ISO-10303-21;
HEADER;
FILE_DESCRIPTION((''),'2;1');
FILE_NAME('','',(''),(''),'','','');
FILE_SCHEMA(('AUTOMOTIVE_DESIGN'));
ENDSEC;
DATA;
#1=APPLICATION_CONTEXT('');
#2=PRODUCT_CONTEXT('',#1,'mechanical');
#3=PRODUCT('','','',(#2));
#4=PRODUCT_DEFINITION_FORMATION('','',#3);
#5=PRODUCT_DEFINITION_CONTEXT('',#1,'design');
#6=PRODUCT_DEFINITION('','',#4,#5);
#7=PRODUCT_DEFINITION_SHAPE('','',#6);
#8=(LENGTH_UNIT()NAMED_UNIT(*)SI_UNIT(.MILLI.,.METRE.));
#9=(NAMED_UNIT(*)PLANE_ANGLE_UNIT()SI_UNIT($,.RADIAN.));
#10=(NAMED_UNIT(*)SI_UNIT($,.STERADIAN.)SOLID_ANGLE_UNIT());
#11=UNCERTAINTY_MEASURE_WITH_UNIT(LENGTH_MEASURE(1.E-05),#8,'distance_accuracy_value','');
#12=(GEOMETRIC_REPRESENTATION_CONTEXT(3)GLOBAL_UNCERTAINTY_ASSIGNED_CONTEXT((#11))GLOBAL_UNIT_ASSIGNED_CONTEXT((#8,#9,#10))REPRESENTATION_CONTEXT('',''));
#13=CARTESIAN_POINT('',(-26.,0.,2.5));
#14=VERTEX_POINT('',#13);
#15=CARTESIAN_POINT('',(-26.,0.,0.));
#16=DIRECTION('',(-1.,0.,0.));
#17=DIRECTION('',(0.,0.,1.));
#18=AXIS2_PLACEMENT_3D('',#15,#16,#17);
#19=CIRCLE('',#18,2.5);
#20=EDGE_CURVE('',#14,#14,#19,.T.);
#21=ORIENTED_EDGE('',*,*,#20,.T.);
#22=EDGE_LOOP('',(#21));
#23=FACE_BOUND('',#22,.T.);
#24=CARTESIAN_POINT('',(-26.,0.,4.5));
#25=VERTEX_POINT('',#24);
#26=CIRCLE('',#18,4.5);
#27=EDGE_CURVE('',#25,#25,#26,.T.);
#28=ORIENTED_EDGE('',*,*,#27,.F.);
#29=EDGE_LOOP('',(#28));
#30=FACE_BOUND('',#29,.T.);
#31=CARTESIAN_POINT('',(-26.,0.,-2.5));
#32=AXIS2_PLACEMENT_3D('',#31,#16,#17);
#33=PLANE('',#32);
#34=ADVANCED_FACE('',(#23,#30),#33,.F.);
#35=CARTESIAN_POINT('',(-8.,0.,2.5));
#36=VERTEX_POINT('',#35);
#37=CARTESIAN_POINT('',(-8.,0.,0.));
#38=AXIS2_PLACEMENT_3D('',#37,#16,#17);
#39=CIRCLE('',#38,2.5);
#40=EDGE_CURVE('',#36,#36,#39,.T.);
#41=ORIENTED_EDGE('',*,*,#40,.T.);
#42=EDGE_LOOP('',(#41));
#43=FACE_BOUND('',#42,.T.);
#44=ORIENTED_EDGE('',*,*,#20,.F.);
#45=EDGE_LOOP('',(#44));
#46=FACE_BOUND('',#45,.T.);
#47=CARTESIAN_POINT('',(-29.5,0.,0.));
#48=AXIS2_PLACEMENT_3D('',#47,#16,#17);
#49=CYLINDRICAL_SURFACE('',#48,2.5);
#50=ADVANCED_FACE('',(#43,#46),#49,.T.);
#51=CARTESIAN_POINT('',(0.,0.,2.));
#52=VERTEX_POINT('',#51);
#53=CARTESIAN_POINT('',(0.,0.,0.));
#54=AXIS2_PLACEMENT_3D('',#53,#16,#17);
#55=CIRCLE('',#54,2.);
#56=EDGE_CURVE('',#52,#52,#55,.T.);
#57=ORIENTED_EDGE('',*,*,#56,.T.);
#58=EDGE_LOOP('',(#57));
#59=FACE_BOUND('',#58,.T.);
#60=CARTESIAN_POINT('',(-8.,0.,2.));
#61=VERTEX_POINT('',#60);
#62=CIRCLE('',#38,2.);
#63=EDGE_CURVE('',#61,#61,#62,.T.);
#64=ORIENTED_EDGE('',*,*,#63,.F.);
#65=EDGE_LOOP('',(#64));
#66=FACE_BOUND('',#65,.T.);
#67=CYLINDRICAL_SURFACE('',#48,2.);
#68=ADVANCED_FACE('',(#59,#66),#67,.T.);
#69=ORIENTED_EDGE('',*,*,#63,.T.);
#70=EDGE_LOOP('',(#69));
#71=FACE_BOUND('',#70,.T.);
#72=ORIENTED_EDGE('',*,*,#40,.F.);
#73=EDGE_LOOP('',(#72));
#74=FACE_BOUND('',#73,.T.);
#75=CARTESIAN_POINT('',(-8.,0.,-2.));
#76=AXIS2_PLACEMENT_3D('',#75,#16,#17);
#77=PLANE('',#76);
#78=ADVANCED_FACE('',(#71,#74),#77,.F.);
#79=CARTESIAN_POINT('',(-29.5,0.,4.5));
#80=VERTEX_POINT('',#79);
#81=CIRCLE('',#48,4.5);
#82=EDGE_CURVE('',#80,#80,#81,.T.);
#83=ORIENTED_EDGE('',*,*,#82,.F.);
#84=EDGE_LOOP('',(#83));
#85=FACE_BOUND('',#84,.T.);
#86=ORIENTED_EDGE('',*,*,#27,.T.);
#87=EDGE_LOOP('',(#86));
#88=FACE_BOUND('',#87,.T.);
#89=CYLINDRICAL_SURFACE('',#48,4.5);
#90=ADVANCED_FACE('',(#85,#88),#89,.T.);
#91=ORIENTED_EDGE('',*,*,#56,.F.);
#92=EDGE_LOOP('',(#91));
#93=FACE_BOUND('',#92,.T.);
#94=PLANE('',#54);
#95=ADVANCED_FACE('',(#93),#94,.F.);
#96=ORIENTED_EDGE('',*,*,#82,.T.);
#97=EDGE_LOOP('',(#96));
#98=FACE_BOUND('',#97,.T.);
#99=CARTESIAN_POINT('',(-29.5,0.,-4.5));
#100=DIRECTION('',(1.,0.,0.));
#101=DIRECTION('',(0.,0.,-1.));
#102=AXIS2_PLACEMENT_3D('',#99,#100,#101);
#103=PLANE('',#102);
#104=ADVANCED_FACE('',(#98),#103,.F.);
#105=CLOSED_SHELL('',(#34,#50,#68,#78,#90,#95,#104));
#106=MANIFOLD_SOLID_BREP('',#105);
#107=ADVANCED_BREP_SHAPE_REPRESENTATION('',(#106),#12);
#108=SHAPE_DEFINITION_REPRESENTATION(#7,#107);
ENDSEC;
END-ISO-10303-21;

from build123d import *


with BuildPart() as part:
    # Sketch1 → Revolve1 (revolve)
    with BuildSketch(Plane(origin=(0, 0, 0), x_dir=(1, 0, 0), z_dir=(0, 1, 0)), mode=Mode.PRIVATE) as revolve1_sk:
        Polygon((0, 0), (0, 2), (-8, 2), (-8, 2.5), (-26, 2.5), (-26, 4.5), (-29.5, 4.5), (-29.5, 0), align=None)
    revolve(revolve1_sk.sketch.rotate(Axis((-29.5, 0, 0), (1, 0, 0)), 180), axis=Axis((-29.5, 0, 0), (1, 0, 0)))


solid = part.part
